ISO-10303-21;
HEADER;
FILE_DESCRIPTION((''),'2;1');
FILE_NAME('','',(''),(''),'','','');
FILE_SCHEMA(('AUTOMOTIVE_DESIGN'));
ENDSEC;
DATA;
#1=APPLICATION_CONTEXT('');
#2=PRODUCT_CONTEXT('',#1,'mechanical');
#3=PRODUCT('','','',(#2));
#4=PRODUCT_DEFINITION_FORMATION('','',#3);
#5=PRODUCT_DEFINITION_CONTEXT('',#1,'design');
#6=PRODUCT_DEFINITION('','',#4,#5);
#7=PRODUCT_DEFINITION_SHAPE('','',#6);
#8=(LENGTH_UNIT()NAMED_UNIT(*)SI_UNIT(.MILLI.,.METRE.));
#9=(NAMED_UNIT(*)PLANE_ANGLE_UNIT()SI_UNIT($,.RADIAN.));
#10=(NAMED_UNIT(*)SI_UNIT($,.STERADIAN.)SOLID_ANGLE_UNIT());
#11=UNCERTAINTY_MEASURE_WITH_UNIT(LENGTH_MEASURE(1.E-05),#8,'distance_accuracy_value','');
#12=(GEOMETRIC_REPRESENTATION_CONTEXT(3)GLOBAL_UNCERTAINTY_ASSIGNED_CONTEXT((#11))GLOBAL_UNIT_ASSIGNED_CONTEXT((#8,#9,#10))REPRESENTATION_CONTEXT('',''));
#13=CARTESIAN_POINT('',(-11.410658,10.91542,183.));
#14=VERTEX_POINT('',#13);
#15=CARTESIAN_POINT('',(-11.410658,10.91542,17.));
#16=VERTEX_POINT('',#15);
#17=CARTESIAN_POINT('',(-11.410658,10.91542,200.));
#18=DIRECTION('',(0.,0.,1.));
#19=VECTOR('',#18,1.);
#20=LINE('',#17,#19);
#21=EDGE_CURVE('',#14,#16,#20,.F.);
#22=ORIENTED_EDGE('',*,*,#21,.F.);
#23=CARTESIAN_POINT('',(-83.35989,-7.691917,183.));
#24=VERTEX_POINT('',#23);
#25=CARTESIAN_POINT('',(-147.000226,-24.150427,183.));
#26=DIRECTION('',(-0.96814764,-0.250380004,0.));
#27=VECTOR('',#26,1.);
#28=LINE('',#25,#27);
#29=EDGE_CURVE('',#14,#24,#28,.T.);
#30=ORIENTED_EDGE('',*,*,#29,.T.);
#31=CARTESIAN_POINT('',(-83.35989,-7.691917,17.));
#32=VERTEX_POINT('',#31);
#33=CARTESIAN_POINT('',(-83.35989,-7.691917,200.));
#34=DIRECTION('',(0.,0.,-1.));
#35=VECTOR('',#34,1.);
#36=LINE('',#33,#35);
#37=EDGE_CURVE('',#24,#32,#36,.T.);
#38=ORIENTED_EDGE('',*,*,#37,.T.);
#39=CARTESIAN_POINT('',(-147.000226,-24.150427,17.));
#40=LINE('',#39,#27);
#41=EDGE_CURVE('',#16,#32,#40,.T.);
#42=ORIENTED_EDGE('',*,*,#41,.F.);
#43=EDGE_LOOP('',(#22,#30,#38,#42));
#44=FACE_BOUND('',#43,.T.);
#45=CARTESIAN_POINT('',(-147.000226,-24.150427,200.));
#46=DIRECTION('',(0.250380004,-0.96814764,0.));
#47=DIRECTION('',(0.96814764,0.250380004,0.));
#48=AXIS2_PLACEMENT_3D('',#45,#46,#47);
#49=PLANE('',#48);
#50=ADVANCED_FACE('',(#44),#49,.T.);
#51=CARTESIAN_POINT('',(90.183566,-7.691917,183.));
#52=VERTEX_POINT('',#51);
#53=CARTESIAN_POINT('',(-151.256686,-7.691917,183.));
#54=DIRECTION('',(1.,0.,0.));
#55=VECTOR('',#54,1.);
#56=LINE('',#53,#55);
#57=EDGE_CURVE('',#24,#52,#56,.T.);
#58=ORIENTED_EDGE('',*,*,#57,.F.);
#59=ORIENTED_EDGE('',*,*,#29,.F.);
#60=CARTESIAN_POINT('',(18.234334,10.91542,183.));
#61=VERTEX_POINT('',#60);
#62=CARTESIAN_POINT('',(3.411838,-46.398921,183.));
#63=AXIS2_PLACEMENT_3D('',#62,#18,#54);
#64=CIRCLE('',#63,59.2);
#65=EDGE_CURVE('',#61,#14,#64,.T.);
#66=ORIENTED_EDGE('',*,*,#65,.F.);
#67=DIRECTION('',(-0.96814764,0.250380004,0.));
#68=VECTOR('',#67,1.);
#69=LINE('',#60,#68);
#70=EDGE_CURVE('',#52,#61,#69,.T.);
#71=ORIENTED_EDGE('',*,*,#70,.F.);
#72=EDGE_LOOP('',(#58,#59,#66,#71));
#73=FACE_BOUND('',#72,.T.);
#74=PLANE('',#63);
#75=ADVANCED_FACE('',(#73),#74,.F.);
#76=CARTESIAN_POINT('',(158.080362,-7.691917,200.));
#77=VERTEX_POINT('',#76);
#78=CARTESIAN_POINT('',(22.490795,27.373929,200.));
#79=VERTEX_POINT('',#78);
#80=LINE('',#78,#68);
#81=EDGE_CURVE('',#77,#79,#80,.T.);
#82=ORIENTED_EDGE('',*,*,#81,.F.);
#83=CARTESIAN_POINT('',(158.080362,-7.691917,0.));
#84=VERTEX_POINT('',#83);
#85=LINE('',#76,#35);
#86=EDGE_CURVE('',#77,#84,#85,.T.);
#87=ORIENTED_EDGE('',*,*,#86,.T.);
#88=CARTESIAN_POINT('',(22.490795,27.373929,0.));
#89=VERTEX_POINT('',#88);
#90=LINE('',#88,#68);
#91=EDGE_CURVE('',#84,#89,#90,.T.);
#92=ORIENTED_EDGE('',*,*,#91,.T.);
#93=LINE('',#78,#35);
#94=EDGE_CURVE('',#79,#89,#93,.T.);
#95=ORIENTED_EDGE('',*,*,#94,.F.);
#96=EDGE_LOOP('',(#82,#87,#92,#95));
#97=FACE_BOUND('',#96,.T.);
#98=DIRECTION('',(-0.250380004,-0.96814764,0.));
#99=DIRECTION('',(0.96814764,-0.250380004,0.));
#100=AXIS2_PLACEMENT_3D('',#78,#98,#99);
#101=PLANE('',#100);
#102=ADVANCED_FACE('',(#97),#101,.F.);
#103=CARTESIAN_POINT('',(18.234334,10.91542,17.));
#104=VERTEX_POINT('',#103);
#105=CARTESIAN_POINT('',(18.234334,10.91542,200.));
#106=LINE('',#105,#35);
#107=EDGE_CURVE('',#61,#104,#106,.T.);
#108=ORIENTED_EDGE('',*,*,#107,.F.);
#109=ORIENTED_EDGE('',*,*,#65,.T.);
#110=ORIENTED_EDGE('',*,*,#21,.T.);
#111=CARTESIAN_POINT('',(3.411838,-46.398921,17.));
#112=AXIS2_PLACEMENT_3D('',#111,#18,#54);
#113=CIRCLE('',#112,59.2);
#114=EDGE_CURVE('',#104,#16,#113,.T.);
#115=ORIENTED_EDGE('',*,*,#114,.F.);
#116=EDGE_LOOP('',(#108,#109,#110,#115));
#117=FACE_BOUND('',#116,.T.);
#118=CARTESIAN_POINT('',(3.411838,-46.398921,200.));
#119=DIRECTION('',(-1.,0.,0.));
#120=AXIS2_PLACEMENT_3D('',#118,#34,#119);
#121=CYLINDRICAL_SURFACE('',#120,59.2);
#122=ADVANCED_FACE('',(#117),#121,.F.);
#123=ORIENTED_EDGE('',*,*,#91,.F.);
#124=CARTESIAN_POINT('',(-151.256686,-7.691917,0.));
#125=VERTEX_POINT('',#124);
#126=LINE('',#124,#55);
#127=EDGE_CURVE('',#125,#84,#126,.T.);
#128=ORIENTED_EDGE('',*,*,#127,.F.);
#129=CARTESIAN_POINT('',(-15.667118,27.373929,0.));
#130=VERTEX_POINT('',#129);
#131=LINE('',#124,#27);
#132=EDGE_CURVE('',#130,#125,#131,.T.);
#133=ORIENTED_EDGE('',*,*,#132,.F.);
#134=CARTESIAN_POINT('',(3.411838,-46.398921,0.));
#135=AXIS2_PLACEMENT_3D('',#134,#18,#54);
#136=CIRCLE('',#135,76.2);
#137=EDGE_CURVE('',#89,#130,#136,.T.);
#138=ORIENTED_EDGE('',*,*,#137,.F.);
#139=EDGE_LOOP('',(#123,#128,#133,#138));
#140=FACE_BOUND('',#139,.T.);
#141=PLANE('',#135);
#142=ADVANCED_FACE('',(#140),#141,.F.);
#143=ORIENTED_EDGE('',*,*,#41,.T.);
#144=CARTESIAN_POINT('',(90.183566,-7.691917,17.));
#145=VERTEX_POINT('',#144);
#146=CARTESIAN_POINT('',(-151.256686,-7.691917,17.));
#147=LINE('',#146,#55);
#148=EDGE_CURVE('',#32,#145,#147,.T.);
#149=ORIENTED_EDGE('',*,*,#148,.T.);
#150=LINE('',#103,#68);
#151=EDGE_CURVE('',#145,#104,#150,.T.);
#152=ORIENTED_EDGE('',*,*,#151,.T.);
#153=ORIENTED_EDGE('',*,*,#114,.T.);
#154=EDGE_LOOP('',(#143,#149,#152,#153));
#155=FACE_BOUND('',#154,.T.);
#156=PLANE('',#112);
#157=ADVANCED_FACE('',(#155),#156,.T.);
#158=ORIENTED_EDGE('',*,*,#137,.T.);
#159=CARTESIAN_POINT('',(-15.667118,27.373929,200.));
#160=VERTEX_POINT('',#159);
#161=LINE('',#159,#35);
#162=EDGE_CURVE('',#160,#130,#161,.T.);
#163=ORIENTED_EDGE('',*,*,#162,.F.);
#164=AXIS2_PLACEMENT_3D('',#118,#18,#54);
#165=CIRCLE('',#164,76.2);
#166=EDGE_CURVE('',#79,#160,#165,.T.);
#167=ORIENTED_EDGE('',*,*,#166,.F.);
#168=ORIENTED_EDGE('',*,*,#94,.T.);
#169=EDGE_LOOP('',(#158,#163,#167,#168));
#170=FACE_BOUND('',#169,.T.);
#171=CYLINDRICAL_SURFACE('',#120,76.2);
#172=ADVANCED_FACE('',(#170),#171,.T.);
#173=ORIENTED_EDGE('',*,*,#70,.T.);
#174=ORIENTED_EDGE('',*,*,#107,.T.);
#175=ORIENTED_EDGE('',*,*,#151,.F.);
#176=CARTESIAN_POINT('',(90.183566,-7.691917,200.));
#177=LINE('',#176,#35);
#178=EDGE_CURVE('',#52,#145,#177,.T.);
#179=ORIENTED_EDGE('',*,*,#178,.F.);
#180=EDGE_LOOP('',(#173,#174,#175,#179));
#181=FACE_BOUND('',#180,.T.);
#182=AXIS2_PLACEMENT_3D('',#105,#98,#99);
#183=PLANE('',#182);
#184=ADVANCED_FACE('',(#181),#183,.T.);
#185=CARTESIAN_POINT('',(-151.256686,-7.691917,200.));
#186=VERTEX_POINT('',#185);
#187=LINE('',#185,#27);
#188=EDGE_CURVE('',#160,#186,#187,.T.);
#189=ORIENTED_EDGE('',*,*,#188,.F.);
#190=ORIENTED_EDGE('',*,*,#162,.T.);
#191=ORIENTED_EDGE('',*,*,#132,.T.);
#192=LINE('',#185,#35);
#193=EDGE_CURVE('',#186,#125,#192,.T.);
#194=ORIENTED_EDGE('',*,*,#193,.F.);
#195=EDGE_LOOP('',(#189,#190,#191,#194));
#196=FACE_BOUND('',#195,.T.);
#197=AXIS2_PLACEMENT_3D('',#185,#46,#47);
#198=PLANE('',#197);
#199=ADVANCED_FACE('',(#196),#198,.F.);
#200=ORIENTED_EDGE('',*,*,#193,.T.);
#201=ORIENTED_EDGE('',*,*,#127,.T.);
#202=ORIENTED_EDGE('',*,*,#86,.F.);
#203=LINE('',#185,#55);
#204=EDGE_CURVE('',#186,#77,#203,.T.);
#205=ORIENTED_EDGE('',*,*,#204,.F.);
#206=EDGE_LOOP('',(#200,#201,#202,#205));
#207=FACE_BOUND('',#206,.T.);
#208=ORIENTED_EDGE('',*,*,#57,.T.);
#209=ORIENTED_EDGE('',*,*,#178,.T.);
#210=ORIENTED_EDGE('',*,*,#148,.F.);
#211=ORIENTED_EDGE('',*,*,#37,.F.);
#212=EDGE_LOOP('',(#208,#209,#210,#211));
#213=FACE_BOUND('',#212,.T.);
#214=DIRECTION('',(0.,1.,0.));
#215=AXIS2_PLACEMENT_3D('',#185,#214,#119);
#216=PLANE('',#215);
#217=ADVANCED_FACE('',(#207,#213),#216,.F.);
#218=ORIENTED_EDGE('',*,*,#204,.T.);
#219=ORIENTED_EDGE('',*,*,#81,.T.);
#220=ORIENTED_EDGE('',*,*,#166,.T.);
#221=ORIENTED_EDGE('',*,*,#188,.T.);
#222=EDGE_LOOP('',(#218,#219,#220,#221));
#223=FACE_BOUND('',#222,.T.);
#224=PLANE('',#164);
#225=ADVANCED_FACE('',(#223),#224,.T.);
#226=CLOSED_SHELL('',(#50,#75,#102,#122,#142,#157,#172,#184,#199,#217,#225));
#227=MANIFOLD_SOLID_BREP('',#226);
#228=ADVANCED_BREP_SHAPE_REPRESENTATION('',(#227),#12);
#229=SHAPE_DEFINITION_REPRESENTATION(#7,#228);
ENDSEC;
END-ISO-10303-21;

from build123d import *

# Parameters (mm, degrees)
BOSS_EXTRUDE1_DEPTH = 200
SHELL1_T            = -17


with BuildPart() as part:
    # Sketch1 → Boss-Extrude1 (new body)
    with BuildSketch(Plane.XY):
        with BuildLine():
            Line((-151.256685576, -7.691916928), (-15.667118089, 27.373929479))
            ThreePointArc((-15.667118089, 27.373929479), (3.41183822, 29.801079282), (22.490794529, 27.373929479))
            Line((22.490794529, 27.373929479), (158.080362016, -7.691916928))
            Line((158.080362016, -7.691916928), (-151.256685576, -7.691916928))
        make_face()
    extrude(amount=BOSS_EXTRUDE1_DEPTH)

    # Shell1
    shell1_openings = [part.faces().sort_by_distance(p)[0] for p in [
        (3.41183822, -7.691916928, 100),
    ]]
    offset(amount=SHELL1_T, openings=shell1_openings, kind=Kind.INTERSECTION)


solid = part.part
